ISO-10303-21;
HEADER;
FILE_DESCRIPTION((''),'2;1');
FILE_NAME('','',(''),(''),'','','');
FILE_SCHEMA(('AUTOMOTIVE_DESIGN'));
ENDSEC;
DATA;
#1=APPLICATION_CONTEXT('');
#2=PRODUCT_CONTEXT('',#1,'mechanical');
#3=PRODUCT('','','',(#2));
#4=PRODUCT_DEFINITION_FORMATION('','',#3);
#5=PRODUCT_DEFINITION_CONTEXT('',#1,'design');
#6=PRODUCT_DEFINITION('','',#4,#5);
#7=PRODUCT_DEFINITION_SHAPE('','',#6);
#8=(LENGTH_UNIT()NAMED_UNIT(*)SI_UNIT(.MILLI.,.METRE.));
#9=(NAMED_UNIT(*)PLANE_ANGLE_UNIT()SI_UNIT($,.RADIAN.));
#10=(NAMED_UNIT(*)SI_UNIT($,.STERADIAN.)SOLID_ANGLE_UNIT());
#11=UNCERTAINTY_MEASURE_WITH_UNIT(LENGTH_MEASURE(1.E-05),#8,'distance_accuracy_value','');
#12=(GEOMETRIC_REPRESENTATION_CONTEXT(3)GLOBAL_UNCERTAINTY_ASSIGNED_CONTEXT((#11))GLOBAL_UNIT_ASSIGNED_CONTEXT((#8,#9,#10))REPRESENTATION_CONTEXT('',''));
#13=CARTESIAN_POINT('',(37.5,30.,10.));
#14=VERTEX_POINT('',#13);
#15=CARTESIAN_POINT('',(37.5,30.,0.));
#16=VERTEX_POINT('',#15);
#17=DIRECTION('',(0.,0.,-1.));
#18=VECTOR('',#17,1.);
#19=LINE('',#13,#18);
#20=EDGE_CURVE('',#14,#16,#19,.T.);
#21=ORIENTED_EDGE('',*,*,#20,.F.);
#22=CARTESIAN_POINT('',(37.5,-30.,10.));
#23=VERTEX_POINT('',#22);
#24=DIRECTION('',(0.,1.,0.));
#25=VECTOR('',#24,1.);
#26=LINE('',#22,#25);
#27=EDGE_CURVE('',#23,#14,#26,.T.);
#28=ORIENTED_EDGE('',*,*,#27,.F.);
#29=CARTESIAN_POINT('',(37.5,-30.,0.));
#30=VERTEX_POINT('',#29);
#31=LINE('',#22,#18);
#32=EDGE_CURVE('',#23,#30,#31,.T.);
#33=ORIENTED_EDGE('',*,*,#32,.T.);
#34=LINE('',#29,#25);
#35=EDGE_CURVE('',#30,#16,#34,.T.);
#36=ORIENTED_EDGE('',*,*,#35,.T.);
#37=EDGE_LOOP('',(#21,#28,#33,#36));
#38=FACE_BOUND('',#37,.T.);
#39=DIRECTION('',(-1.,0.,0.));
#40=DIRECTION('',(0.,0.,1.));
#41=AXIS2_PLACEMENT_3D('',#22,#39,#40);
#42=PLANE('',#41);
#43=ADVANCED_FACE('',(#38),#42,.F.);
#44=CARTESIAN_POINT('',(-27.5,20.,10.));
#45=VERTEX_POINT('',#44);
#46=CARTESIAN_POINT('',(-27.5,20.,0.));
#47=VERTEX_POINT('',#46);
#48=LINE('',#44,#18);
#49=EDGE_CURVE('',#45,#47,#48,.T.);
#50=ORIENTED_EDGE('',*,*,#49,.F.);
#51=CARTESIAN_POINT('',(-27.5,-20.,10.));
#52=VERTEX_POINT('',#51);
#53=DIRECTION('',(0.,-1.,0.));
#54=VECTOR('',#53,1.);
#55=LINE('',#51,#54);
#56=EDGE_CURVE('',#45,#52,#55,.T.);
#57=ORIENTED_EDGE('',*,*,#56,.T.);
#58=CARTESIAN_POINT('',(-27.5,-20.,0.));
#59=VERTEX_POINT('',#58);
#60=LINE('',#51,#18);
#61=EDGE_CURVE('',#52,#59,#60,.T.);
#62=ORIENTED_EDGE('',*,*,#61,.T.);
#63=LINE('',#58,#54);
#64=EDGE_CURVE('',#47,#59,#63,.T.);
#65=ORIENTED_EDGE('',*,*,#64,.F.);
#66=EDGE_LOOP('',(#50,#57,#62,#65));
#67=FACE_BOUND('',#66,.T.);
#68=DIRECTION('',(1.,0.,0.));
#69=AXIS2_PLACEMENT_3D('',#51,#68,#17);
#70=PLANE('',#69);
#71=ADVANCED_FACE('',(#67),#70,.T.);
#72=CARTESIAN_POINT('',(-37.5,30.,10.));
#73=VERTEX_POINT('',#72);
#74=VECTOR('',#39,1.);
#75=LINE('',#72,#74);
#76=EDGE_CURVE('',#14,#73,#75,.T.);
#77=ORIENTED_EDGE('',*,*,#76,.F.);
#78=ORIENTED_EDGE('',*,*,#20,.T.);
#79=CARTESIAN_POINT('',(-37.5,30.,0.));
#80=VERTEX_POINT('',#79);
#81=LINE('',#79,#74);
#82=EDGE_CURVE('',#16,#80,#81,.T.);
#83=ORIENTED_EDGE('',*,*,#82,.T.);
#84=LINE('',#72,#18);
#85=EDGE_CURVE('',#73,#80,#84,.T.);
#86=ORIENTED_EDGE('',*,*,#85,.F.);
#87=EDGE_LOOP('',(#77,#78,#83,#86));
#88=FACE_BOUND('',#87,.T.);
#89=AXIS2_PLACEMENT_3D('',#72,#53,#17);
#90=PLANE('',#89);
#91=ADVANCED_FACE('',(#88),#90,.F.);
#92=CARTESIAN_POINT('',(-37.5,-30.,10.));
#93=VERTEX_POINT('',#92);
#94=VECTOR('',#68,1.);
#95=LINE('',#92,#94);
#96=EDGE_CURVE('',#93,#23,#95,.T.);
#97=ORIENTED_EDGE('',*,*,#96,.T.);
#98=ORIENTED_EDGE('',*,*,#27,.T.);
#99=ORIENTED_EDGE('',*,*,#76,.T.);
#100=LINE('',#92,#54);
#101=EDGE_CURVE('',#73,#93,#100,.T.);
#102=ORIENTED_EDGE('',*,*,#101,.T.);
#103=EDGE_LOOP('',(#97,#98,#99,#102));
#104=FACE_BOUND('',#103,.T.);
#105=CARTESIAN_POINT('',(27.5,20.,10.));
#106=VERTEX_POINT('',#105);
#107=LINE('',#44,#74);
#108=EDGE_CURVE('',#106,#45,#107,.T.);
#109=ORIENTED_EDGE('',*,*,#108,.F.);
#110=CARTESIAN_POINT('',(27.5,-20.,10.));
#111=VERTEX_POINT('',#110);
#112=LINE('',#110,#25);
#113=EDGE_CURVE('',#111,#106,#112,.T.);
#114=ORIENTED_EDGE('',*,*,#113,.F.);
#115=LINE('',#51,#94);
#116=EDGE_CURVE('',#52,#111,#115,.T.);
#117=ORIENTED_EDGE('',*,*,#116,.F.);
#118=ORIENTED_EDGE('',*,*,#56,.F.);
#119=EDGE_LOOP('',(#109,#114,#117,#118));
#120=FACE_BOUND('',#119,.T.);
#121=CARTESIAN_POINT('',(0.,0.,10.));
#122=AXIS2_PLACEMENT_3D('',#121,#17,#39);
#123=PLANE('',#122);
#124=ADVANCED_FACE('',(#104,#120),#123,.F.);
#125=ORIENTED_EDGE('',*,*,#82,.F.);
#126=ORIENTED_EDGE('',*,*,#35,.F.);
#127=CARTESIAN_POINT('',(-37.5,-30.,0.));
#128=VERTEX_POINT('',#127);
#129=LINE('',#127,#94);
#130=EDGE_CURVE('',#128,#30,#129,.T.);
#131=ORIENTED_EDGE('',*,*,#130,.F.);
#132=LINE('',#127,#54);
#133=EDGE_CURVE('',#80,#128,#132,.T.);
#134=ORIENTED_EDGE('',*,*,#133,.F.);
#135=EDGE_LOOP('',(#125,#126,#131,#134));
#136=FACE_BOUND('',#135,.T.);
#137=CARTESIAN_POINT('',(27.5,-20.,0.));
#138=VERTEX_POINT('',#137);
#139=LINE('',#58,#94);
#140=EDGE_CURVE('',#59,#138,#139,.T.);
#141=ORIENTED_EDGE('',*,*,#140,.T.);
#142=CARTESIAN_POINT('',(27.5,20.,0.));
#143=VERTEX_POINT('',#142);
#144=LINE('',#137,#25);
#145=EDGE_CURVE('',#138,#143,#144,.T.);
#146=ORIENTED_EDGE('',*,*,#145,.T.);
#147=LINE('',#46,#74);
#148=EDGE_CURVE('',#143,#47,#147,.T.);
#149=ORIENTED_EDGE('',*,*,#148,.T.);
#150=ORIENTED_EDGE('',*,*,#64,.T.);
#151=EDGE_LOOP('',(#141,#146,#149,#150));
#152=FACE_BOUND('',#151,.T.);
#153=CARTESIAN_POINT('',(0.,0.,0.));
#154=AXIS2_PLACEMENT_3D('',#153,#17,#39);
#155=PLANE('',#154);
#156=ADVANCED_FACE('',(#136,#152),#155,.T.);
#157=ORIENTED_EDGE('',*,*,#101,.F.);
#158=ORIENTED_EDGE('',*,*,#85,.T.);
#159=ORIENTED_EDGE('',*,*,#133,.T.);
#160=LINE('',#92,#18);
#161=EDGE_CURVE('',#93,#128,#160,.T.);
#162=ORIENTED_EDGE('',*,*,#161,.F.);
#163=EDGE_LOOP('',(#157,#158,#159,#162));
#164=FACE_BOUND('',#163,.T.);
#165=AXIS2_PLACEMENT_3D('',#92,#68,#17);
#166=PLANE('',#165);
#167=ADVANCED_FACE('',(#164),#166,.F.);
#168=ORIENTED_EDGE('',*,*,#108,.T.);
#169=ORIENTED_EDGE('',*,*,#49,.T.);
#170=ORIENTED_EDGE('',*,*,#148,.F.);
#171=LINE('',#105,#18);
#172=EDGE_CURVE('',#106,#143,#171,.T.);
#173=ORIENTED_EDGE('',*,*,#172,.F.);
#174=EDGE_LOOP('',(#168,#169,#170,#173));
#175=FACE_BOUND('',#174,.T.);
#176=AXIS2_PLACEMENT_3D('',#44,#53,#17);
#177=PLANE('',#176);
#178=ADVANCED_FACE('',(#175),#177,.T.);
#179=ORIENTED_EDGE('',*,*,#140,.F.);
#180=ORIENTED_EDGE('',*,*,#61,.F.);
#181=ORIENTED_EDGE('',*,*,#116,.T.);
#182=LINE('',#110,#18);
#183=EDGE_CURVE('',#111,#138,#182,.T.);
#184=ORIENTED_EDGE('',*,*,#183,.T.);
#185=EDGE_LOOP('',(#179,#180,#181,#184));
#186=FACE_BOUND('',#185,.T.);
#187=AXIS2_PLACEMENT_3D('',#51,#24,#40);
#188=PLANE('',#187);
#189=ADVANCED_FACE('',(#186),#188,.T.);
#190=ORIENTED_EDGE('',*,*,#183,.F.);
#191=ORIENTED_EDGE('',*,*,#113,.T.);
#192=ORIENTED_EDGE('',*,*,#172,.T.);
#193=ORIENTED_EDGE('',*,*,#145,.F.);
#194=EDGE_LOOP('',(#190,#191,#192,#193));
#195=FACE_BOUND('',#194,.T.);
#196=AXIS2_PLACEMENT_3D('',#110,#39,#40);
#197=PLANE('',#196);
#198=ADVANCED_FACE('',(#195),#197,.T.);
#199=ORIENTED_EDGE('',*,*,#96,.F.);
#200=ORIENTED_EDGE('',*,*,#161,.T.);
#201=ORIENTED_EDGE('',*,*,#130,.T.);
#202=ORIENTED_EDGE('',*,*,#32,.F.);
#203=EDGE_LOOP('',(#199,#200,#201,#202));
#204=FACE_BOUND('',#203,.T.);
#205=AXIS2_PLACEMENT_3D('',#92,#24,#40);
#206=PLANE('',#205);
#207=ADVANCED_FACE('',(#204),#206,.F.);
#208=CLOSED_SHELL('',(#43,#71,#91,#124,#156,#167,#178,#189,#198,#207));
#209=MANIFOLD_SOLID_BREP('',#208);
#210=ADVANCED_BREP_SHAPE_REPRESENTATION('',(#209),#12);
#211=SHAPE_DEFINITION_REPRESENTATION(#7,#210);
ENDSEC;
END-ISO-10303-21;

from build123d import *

# Parameters (mm, degrees)
SKETCH1_W           = 75
SKETCH1_H           = 60
SKETCH1_W_2         = 55
SKETCH1_H_2         = 40
BOSS_EXTRUDE1_DEPTH = 10


with BuildPart() as part:
    # Sketch1 → Boss-Extrude1 (new body)
    with BuildSketch(Plane.XY):
        Rectangle(SKETCH1_W, SKETCH1_H)
        Rectangle(SKETCH1_W_2, SKETCH1_H_2, mode=Mode.SUBTRACT)
    extrude(amount=BOSS_EXTRUDE1_DEPTH)


solid = part.part
